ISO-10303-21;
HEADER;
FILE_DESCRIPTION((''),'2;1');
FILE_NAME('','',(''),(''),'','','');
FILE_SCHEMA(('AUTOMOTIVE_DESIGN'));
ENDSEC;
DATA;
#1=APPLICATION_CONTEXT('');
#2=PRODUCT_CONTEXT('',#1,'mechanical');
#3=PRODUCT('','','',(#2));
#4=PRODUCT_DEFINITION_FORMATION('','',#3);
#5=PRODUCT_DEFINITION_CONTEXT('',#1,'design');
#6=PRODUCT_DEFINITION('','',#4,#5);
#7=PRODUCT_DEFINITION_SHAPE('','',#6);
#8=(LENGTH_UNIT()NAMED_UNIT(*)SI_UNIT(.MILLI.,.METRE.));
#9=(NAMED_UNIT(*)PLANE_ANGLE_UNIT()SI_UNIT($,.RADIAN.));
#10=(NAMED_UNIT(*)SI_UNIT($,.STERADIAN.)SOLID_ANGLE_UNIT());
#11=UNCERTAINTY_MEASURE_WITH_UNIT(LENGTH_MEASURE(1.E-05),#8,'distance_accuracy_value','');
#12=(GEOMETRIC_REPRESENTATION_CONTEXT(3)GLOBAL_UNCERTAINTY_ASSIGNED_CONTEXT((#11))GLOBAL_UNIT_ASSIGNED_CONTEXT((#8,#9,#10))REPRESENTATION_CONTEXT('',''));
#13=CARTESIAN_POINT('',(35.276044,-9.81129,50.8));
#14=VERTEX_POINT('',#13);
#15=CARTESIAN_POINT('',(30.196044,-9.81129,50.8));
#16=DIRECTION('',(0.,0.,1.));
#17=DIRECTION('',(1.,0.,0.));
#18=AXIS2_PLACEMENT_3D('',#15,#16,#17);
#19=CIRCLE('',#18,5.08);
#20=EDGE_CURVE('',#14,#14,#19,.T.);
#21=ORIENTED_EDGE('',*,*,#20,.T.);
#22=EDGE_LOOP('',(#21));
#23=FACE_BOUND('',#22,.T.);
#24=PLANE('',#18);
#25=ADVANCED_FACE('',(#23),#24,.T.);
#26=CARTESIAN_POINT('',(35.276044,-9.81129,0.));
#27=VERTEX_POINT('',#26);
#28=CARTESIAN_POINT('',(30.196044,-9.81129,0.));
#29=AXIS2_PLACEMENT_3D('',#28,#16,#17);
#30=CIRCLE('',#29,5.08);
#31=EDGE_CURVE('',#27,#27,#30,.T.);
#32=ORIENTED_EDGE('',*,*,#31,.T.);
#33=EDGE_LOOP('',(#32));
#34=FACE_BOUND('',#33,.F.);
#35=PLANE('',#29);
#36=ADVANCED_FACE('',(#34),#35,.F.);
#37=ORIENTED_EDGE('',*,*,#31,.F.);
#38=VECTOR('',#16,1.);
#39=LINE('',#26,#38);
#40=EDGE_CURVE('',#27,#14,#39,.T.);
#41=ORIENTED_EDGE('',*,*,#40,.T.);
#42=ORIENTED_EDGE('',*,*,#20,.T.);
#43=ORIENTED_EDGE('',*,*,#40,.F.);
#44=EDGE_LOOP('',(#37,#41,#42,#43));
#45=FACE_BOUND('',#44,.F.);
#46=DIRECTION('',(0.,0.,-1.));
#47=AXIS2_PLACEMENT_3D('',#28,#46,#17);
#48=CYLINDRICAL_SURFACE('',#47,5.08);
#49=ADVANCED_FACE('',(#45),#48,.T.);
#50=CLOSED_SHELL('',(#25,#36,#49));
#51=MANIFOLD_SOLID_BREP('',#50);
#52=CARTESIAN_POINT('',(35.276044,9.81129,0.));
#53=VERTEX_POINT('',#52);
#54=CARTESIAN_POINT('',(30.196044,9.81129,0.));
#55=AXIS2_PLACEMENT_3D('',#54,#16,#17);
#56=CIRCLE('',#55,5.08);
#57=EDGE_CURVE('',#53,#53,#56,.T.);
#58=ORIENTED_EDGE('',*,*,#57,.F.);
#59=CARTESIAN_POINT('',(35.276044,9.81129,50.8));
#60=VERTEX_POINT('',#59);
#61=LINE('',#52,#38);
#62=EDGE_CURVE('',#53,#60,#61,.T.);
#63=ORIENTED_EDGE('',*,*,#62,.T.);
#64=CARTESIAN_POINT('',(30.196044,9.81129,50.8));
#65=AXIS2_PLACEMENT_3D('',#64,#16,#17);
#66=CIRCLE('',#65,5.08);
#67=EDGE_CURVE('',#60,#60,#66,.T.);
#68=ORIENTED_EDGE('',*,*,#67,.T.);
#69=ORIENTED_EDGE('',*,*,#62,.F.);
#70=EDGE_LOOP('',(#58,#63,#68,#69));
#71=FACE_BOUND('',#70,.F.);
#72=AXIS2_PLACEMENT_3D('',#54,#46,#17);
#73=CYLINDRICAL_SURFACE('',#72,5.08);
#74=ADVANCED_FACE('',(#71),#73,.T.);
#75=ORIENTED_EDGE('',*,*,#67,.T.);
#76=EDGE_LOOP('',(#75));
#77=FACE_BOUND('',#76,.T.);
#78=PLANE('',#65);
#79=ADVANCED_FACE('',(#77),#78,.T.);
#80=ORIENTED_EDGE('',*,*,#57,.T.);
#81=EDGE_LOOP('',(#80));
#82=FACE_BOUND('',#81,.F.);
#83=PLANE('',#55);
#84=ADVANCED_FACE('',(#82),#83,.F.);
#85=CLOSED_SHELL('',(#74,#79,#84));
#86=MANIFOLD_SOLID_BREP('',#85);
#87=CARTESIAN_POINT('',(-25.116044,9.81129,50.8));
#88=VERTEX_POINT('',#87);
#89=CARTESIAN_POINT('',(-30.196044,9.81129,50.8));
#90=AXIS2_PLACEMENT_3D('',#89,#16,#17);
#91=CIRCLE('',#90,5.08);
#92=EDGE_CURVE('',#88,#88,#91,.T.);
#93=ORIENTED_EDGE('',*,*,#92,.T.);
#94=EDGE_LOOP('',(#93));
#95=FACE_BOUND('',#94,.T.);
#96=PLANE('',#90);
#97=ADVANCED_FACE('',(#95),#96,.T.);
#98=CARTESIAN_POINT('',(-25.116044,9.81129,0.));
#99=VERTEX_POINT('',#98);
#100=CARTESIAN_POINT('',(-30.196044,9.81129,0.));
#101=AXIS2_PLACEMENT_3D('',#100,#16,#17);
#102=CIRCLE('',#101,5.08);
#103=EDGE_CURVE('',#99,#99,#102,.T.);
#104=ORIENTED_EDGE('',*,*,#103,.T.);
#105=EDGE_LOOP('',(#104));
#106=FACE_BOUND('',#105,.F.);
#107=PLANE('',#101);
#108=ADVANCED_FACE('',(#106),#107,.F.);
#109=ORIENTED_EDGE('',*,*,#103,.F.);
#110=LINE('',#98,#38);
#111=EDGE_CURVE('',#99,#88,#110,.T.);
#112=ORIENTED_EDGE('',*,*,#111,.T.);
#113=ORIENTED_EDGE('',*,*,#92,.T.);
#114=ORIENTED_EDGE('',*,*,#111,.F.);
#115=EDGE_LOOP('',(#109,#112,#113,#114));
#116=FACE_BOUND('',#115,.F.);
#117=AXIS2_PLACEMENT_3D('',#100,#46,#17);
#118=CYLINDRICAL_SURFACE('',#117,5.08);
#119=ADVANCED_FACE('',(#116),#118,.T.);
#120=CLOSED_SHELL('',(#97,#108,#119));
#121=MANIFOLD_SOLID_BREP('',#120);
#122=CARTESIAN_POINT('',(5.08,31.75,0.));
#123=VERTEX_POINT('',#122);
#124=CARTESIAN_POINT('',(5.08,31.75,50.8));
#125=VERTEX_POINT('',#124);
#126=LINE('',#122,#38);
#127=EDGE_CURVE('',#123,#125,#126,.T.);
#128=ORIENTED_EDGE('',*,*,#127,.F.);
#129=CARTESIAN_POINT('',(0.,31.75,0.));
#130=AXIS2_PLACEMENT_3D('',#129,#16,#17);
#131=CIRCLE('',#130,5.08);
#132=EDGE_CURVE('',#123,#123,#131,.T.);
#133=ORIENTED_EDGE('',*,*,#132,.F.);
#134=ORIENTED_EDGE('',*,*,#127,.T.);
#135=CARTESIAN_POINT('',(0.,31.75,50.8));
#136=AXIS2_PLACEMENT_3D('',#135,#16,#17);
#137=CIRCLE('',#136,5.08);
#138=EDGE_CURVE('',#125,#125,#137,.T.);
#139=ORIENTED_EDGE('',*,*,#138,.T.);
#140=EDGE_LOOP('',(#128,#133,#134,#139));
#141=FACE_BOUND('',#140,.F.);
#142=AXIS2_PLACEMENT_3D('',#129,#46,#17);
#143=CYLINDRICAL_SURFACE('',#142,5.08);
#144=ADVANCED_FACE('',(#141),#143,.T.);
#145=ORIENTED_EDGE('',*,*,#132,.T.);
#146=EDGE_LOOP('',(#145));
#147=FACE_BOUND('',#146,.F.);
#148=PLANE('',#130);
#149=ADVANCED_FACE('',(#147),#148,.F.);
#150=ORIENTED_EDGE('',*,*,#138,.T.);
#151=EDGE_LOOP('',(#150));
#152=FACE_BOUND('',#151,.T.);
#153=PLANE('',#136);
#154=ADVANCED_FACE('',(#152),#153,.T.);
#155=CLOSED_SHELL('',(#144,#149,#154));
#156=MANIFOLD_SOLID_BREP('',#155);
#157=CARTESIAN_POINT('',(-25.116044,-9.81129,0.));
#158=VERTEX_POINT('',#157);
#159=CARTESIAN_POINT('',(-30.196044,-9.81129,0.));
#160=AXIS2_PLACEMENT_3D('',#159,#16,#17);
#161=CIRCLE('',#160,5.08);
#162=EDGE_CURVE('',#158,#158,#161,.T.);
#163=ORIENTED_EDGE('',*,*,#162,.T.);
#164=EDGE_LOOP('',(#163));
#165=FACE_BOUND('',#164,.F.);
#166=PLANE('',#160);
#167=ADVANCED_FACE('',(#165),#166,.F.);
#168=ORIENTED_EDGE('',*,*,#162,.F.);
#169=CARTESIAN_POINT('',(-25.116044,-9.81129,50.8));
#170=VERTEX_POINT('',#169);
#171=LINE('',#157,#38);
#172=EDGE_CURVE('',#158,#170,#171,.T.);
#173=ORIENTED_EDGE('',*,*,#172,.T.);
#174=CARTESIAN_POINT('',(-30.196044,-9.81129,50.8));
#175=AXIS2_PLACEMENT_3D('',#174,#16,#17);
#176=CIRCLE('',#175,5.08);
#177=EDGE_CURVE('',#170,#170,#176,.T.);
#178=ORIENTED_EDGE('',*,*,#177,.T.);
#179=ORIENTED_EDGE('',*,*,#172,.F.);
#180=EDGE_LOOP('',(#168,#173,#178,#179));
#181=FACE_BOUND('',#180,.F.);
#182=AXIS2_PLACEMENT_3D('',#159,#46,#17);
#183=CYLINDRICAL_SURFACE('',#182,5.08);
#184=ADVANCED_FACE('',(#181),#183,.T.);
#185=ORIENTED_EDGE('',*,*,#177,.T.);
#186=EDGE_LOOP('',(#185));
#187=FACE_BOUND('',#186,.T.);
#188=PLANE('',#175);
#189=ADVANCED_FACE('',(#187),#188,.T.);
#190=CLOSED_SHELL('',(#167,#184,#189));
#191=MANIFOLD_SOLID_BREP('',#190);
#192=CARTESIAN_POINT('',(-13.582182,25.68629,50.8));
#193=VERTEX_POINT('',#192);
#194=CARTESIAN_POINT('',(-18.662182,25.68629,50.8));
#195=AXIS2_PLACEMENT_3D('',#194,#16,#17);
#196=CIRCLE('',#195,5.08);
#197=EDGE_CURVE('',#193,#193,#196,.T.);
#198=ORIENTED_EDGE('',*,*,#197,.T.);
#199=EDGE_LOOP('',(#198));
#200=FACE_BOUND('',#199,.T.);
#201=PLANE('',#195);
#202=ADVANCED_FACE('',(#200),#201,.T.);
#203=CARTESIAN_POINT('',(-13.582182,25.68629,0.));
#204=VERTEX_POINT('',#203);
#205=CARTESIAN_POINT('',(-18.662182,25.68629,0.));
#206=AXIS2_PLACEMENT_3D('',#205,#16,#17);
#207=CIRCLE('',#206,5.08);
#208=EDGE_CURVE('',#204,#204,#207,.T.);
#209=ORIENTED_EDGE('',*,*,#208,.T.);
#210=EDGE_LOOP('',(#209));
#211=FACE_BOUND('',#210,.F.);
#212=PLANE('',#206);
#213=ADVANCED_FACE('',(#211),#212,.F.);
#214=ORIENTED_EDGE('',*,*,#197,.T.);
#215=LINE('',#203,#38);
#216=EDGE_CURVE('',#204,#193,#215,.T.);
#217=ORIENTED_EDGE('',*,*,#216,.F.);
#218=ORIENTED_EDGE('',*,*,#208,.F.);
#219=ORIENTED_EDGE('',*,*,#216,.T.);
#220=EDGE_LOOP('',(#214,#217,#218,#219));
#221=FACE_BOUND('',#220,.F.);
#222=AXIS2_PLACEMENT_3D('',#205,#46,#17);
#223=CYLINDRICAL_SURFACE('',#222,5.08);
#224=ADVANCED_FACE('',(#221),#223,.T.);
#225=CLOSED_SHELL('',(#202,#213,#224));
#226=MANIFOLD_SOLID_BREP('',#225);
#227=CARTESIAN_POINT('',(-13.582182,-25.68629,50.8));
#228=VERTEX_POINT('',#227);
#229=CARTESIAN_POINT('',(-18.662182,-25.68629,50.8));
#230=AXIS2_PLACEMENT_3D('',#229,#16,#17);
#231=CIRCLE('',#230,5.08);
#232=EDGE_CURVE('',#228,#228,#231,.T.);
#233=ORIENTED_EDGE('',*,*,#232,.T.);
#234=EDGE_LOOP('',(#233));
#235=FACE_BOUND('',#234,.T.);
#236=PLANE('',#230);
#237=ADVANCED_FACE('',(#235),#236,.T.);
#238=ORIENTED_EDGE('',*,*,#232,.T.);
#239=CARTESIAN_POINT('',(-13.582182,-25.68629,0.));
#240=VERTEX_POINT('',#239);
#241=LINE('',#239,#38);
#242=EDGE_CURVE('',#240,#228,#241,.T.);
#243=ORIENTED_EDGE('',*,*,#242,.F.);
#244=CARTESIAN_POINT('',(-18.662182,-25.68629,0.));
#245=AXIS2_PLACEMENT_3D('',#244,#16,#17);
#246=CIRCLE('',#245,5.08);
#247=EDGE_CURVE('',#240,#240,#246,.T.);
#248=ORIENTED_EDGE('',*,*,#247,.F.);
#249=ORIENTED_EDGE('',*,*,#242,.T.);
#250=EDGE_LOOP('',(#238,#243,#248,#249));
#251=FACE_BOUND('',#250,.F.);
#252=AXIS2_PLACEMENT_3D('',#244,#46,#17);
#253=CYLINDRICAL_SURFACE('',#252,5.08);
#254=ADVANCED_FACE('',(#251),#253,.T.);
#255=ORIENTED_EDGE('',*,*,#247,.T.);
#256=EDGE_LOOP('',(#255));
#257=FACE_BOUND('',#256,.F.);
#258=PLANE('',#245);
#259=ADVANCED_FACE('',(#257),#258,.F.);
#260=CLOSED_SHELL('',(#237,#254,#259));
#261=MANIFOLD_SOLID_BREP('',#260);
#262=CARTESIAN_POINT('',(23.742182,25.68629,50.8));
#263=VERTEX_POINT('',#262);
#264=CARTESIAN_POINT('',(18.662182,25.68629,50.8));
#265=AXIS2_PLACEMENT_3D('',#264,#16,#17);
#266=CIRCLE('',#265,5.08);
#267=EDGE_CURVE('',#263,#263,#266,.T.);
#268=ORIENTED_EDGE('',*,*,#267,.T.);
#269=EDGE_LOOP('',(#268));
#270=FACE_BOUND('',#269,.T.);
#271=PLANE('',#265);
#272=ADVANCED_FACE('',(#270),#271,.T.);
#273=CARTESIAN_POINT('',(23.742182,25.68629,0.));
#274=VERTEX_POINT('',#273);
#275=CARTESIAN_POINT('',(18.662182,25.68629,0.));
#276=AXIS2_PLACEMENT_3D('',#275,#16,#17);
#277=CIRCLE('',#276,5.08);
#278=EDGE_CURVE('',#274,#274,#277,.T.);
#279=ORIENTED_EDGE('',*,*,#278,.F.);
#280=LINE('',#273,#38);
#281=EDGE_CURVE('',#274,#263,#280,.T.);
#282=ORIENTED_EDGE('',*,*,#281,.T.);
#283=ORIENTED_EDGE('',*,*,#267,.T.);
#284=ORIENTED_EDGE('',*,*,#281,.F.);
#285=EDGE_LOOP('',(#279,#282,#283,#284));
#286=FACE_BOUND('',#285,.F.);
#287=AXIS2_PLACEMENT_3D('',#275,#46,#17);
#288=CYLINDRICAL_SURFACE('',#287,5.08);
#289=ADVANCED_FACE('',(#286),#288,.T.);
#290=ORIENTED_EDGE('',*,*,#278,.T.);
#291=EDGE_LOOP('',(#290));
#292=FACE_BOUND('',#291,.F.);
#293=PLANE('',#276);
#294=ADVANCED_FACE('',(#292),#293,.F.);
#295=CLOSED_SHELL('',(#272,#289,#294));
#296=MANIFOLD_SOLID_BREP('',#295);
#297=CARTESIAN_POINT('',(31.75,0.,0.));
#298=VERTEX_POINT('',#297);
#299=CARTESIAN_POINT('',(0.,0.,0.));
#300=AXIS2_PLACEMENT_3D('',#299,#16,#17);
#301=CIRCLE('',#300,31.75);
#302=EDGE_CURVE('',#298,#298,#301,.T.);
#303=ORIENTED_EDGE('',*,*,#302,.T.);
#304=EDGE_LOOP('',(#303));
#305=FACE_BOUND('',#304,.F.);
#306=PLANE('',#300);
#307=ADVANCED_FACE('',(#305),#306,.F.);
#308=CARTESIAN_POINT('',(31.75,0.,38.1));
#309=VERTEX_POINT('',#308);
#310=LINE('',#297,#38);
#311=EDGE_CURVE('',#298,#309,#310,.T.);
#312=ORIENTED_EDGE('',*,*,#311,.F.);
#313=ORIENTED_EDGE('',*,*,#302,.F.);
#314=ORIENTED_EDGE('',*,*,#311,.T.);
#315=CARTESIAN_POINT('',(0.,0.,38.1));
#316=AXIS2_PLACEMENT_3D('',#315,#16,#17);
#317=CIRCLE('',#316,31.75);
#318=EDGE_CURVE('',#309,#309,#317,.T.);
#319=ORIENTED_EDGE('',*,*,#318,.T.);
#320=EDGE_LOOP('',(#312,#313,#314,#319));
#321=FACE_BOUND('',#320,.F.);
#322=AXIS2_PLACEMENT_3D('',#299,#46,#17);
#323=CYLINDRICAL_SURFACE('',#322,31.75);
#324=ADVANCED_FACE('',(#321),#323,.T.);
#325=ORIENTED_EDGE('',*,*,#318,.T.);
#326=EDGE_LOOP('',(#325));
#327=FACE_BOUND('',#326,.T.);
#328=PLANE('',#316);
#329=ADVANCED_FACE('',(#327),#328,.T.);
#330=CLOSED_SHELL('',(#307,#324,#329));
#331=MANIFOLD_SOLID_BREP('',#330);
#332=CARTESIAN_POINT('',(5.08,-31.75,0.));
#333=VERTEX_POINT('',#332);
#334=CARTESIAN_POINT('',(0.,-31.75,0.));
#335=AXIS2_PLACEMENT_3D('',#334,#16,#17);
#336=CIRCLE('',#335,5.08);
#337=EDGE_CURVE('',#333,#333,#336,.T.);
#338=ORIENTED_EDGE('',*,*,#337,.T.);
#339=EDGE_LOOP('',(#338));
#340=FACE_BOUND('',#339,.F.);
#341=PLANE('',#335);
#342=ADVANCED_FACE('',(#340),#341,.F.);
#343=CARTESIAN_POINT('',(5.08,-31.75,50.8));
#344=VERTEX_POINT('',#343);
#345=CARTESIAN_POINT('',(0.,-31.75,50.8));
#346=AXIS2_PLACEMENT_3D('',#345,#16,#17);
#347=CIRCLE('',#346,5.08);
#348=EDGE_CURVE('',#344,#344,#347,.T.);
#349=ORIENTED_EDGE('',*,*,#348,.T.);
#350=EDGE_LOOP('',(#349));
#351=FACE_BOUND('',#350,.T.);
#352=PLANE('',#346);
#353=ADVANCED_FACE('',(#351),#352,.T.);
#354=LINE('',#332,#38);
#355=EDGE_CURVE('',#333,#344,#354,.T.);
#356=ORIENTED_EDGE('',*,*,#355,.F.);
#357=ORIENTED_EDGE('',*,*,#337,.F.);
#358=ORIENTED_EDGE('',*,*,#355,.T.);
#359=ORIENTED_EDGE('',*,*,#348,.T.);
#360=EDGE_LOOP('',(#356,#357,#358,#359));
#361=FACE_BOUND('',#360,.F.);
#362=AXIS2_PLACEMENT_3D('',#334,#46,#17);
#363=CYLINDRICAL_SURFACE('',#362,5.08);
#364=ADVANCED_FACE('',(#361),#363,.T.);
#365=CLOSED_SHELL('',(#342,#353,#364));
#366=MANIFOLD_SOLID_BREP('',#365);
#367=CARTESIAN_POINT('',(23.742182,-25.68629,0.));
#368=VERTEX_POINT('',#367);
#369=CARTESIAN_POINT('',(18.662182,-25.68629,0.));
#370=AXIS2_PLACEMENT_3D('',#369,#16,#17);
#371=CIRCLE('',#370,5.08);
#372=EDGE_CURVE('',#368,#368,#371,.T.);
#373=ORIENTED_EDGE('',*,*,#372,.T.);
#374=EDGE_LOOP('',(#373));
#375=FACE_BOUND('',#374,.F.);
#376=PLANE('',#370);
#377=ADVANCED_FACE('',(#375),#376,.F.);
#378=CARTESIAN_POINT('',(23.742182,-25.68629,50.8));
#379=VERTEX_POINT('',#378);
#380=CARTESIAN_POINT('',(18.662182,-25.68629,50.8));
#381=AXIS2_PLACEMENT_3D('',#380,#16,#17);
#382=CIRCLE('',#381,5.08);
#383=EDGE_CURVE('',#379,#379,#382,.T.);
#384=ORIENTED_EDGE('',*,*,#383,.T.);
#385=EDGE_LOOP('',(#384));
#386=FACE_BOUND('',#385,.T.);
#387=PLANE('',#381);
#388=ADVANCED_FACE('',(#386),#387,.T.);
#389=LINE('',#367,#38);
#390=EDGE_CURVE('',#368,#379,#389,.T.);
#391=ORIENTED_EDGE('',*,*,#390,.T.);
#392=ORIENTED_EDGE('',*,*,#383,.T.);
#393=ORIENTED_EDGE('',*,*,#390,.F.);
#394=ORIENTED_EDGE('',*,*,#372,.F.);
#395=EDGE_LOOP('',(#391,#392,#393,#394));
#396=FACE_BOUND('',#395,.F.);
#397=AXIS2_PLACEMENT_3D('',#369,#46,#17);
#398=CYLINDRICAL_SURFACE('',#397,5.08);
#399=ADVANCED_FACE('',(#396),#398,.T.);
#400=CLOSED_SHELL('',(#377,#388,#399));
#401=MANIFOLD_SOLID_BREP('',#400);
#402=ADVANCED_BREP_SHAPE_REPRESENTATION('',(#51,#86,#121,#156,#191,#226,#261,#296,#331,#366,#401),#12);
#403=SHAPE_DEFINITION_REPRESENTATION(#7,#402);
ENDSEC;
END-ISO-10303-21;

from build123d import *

# Parameters (mm, degrees)
F0_R     = 31.75
F1_DEPTH = 38.1
F2_R     = 5.08
F3_DEPTH = 50.8


with BuildPart() as f1:
    # F0 (on Top) → F1 (new body)
    with BuildSketch(Plane.XY):
        Circle(F0_R)
    extrude(amount=F1_DEPTH)


with BuildPart() as f3:
    # F2 (on Top) → F3 (new body)
    with BuildSketch(Plane.XY):
        with Locations((0, 31.75)):
            Circle(F2_R)
        with Locations((-18.662182, 25.68629)):
            Circle(F2_R)
        with Locations((-30.196044, 9.81129)):
            Circle(F2_R)
        with Locations((-30.196044, -9.81129)):
            Circle(F2_R)
        with Locations((-18.662182, -25.68629)):
            Circle(F2_R)
        with Locations((0, -31.75)):
            Circle(F2_R)
        with Locations((18.662182, -25.68629)):
            Circle(F2_R)
        with Locations((30.196044, -9.81129)):
            Circle(F2_R)
        with Locations((30.196044, 9.81129)):
            Circle(F2_R)
        with Locations((18.662182, 25.68629)):
            Circle(F2_R)
    extrude(amount=F3_DEPTH)


solid = Compound([f1.part, f3.part])
